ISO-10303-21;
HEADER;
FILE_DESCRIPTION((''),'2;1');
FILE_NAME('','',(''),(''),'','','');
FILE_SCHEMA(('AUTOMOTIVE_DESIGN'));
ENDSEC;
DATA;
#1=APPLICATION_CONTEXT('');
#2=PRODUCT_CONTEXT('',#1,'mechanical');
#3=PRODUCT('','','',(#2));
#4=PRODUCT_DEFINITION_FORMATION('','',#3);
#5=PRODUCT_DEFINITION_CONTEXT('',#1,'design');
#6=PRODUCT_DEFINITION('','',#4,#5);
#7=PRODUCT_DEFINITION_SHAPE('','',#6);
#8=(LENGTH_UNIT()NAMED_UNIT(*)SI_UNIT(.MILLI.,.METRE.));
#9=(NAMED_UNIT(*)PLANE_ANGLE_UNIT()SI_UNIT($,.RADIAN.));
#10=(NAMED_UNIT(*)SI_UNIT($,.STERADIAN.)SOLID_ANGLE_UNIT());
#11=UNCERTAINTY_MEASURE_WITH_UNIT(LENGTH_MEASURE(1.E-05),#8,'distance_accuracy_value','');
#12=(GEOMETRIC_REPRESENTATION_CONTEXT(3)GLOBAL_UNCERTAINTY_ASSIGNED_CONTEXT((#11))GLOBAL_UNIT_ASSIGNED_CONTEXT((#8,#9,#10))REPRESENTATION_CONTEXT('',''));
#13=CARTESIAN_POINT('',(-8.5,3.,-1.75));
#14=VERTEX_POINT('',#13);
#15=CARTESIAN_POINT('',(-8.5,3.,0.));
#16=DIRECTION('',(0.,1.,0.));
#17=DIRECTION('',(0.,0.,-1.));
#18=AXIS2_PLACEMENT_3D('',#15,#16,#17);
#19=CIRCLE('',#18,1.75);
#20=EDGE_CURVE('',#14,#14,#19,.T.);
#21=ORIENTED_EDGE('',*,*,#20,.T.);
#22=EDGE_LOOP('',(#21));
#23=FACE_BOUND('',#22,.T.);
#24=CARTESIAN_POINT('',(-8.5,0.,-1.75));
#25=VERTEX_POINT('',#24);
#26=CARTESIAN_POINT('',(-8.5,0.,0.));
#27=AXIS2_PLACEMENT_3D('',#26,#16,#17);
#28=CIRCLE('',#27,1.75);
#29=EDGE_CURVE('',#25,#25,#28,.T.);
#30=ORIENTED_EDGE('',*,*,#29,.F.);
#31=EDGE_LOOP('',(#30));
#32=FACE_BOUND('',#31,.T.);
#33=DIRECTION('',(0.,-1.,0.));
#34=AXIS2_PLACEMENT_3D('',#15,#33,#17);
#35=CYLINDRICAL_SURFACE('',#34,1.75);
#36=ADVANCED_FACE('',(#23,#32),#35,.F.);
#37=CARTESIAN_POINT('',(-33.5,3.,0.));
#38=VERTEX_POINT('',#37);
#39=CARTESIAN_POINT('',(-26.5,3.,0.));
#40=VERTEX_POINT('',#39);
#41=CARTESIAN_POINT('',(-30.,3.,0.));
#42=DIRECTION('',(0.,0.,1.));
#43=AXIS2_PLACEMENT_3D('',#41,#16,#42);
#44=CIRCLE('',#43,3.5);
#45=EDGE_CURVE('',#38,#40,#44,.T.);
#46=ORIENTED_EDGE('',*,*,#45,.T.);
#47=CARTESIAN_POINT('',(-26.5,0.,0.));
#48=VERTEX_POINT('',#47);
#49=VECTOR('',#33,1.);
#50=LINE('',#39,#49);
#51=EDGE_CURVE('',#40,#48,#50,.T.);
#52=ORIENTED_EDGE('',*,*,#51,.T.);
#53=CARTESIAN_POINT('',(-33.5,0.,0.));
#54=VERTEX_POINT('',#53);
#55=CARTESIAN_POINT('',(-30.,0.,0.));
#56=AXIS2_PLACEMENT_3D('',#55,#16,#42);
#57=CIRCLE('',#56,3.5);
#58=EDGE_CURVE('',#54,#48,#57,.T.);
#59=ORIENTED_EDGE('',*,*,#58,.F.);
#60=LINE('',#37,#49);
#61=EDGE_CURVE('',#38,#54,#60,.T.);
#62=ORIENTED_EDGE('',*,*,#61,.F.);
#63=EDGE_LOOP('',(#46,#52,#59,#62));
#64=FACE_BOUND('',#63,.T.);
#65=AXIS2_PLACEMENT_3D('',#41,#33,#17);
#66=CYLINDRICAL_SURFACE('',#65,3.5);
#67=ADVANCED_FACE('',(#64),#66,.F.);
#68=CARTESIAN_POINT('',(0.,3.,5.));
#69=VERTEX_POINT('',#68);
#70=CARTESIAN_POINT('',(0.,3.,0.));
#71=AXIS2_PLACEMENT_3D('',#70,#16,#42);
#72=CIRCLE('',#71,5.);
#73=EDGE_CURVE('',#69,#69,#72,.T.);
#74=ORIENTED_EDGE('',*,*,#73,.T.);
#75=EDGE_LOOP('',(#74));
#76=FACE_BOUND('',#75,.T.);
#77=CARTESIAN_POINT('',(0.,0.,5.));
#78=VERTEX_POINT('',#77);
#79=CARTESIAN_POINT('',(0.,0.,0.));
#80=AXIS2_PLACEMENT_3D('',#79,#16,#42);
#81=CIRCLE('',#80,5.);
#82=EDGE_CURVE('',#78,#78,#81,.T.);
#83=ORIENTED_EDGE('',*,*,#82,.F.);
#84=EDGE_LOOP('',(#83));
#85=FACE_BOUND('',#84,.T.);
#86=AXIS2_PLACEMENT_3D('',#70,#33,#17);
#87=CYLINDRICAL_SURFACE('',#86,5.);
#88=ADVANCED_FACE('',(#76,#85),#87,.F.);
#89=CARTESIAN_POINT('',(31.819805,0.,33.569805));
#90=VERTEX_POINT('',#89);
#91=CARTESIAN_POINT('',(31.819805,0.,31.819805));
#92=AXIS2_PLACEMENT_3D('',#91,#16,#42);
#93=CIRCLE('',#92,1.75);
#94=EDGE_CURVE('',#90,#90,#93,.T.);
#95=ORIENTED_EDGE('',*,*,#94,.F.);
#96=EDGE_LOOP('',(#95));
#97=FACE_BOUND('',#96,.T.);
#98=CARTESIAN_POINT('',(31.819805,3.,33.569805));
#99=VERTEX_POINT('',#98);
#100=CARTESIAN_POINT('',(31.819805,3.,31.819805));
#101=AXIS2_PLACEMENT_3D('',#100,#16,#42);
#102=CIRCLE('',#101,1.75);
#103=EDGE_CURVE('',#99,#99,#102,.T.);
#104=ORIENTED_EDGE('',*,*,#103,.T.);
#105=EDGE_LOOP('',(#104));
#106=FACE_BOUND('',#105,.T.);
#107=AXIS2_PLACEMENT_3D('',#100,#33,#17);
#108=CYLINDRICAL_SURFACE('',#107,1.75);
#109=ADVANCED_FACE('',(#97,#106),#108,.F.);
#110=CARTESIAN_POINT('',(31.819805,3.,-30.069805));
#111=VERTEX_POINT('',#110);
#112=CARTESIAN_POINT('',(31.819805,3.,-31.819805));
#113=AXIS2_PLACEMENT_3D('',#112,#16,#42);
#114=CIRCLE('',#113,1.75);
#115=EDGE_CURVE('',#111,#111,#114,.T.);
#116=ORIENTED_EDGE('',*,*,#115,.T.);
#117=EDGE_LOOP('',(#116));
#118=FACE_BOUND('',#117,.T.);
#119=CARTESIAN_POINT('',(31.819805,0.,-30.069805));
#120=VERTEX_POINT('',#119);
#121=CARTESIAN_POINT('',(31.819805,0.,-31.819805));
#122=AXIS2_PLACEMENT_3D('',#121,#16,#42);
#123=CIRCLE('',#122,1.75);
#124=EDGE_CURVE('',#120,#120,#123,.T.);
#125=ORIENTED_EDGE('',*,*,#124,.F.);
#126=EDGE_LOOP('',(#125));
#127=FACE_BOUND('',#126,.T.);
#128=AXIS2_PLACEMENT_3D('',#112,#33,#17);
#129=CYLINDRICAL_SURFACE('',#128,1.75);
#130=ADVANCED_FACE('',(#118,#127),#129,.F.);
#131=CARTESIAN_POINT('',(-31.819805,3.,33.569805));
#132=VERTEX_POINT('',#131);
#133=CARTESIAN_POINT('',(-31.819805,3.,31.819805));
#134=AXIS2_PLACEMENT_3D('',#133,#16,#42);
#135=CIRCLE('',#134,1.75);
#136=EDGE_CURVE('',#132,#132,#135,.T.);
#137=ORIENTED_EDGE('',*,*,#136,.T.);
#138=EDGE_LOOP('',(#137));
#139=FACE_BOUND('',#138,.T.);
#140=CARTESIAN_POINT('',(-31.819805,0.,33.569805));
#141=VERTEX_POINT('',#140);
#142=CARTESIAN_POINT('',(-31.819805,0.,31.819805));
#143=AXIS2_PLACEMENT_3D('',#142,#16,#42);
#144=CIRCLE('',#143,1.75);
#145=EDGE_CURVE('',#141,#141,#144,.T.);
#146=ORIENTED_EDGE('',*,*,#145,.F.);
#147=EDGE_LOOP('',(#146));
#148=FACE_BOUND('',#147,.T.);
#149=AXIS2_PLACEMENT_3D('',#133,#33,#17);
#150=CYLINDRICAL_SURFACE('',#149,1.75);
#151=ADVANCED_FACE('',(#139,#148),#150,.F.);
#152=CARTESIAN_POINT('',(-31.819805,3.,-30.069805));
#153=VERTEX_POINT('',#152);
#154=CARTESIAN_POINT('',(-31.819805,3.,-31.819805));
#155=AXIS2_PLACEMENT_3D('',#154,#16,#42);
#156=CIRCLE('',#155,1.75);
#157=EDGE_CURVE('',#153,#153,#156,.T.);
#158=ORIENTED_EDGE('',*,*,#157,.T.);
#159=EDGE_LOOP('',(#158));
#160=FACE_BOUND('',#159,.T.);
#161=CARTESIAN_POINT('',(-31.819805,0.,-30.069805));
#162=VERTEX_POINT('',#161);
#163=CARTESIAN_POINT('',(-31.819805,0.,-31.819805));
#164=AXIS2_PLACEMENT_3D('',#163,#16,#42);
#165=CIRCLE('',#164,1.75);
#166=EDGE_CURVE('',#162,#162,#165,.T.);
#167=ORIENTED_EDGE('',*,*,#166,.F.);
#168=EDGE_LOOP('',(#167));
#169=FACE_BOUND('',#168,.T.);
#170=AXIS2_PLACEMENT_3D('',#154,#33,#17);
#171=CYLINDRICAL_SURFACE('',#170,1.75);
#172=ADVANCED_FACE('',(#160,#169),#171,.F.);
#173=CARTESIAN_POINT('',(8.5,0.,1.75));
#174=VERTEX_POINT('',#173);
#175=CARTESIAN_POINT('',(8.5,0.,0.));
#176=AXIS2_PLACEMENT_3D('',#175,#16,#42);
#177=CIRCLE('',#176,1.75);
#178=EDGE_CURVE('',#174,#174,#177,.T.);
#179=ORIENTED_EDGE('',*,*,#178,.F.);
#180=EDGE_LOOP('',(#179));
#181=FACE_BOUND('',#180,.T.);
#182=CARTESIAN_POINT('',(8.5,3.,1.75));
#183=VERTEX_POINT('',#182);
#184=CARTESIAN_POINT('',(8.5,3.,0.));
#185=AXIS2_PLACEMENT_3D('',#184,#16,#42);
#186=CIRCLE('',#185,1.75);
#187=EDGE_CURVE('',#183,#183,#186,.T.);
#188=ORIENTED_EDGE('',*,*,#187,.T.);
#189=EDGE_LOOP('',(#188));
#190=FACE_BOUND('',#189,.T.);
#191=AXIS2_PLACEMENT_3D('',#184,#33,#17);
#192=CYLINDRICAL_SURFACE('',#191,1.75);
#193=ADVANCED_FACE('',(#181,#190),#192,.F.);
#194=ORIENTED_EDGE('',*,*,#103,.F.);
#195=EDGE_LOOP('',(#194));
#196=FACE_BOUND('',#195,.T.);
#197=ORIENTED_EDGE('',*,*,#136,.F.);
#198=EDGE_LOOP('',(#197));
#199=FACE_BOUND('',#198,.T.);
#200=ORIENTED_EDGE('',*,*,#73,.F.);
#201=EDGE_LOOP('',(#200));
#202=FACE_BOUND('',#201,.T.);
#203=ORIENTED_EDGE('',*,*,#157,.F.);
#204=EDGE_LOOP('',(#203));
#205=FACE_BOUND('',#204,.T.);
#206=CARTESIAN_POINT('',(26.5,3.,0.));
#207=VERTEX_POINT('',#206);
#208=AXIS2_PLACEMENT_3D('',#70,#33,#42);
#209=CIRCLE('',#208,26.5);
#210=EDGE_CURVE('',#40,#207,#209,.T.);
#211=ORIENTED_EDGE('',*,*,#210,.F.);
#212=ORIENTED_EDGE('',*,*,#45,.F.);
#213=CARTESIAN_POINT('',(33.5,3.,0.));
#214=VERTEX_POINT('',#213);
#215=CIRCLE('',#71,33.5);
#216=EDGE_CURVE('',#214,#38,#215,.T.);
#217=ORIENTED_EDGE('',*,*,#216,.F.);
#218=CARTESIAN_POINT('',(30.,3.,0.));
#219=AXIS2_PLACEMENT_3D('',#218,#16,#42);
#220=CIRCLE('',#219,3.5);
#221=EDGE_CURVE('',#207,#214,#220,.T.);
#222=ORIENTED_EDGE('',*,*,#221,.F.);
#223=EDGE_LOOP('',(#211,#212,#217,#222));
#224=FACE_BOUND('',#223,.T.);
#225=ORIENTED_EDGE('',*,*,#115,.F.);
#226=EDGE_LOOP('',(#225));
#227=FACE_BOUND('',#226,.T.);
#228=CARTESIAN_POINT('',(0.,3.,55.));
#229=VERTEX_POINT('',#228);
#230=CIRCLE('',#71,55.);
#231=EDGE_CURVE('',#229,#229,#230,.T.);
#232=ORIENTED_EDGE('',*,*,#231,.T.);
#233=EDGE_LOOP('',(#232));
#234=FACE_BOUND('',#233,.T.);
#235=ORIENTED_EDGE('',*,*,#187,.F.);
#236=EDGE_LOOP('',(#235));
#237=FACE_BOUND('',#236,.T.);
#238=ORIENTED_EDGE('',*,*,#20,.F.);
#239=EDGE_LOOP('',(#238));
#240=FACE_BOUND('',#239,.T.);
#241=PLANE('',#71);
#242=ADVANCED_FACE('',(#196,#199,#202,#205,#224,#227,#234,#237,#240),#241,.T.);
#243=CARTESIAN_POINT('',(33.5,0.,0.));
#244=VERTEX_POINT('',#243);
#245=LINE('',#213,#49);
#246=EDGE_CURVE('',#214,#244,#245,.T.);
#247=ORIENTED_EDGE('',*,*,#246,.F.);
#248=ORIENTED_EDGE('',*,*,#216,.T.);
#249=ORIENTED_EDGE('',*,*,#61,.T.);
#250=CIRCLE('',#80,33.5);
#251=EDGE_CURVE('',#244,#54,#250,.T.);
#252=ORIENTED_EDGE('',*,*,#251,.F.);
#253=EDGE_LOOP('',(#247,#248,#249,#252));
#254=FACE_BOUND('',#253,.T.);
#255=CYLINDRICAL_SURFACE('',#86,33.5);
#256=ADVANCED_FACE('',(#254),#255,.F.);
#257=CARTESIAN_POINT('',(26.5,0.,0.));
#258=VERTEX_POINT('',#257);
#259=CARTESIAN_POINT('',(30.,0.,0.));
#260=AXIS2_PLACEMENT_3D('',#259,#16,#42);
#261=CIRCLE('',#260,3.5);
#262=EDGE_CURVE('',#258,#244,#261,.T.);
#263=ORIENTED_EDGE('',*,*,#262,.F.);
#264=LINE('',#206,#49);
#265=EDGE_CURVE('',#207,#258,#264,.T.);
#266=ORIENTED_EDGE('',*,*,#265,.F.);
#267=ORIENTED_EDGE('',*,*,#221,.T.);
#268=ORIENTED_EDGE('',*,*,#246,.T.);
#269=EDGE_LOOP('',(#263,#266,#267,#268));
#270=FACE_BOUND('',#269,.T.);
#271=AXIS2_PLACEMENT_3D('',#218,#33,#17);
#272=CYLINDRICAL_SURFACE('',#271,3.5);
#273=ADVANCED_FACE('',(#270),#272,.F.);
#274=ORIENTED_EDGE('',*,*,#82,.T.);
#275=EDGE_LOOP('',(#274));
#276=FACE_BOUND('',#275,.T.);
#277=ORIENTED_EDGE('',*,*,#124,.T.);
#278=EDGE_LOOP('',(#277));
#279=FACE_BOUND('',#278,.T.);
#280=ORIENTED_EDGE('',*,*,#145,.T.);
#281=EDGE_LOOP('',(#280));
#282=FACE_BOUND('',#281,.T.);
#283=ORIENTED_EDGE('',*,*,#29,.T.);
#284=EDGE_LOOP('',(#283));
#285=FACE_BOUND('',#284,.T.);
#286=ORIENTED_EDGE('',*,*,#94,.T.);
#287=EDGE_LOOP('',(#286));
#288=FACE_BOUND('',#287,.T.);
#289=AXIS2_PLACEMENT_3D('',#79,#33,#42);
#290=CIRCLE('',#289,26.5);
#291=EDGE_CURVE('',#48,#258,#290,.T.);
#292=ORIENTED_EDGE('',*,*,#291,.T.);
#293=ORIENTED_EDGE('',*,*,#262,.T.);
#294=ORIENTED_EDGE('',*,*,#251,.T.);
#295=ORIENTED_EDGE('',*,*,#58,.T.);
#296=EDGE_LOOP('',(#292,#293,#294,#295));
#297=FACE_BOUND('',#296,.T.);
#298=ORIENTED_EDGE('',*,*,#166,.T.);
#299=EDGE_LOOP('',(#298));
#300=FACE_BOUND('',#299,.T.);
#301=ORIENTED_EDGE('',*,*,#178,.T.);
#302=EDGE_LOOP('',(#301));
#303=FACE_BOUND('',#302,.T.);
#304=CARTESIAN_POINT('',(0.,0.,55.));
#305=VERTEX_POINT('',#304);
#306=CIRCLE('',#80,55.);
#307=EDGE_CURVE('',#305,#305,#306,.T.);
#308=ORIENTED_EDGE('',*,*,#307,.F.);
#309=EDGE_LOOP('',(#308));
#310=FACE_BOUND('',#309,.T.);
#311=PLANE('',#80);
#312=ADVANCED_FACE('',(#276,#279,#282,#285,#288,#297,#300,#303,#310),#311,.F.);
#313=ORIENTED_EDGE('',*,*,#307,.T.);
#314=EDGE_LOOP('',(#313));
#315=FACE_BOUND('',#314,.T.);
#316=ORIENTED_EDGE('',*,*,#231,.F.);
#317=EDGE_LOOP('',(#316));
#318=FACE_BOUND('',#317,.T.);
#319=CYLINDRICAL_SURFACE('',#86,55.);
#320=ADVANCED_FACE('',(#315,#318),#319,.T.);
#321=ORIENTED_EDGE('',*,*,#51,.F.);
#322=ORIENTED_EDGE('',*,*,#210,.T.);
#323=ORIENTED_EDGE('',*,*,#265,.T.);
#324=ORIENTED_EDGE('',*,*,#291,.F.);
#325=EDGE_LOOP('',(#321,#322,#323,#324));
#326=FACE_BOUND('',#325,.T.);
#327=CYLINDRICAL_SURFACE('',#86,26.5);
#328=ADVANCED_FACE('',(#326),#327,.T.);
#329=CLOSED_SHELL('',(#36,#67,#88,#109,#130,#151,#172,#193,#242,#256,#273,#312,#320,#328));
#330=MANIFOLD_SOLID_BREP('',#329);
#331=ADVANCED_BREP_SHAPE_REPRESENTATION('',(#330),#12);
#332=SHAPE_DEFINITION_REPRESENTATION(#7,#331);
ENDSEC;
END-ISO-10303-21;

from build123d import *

# Parameters (mm, degrees)
SKETCH1_R           = 55
SKETCH1_R_2         = 5
SKETCH1_R_3         = 1.75
BOSS_EXTRUDE1_DEPTH = 3


with BuildPart() as part:
    # Sketch1 → Boss-Extrude1 (new body)
    with BuildSketch(Plane(origin=(0, 0, 0), x_dir=(1, 0, 0), z_dir=(0, 1, 0))):
        with Locations(Location((0, 0, 0), (0, 0, 270))):
            Circle(SKETCH1_R)
        with Locations(Location((0, 0, 0), (0, 0, 270))):
            Circle(SKETCH1_R_2, mode=Mode.SUBTRACT)
        with Locations(Location((8.5, 0, 0), (0, 0, 270))):
            Circle(SKETCH1_R_3, mode=Mode.SUBTRACT)
        with Locations(Location((-8.5, 0, 0), (0, 0, 90))):
            Circle(SKETCH1_R_3, mode=Mode.SUBTRACT)
        with Locations(Location((-31.819805153, 31.819805153, 0), (0, 0, 270))):
            Circle(SKETCH1_R_3, mode=Mode.SUBTRACT)
        with Locations(Location((31.819805153, 31.819805153, 0), (0, 0, 270))):
            Circle(SKETCH1_R_3, mode=Mode.SUBTRACT)
        with Locations(Location((31.819805153, -31.819805153, 0), (0, 0, 270))):
            Circle(SKETCH1_R_3, mode=Mode.SUBTRACT)
        with Locations(Location((-31.819805153, -31.819805153, 0), (0, 0, 270))):
            Circle(SKETCH1_R_3, mode=Mode.SUBTRACT)
        with BuildLine():
            ThreePointArc((33.5, 0), (0, 33.5), (-33.5, 0))
            ThreePointArc((-33.5, 0), (-30, -3.5), (-26.5, 0))
            ThreePointArc((-26.5, 0), (0, 26.5), (26.5, 0))
            ThreePointArc((26.5, 0), (30, -3.5), (33.5, 0))
        make_face(mode=Mode.SUBTRACT)
    extrude(amount=BOSS_EXTRUDE1_DEPTH)


solid = part.part
